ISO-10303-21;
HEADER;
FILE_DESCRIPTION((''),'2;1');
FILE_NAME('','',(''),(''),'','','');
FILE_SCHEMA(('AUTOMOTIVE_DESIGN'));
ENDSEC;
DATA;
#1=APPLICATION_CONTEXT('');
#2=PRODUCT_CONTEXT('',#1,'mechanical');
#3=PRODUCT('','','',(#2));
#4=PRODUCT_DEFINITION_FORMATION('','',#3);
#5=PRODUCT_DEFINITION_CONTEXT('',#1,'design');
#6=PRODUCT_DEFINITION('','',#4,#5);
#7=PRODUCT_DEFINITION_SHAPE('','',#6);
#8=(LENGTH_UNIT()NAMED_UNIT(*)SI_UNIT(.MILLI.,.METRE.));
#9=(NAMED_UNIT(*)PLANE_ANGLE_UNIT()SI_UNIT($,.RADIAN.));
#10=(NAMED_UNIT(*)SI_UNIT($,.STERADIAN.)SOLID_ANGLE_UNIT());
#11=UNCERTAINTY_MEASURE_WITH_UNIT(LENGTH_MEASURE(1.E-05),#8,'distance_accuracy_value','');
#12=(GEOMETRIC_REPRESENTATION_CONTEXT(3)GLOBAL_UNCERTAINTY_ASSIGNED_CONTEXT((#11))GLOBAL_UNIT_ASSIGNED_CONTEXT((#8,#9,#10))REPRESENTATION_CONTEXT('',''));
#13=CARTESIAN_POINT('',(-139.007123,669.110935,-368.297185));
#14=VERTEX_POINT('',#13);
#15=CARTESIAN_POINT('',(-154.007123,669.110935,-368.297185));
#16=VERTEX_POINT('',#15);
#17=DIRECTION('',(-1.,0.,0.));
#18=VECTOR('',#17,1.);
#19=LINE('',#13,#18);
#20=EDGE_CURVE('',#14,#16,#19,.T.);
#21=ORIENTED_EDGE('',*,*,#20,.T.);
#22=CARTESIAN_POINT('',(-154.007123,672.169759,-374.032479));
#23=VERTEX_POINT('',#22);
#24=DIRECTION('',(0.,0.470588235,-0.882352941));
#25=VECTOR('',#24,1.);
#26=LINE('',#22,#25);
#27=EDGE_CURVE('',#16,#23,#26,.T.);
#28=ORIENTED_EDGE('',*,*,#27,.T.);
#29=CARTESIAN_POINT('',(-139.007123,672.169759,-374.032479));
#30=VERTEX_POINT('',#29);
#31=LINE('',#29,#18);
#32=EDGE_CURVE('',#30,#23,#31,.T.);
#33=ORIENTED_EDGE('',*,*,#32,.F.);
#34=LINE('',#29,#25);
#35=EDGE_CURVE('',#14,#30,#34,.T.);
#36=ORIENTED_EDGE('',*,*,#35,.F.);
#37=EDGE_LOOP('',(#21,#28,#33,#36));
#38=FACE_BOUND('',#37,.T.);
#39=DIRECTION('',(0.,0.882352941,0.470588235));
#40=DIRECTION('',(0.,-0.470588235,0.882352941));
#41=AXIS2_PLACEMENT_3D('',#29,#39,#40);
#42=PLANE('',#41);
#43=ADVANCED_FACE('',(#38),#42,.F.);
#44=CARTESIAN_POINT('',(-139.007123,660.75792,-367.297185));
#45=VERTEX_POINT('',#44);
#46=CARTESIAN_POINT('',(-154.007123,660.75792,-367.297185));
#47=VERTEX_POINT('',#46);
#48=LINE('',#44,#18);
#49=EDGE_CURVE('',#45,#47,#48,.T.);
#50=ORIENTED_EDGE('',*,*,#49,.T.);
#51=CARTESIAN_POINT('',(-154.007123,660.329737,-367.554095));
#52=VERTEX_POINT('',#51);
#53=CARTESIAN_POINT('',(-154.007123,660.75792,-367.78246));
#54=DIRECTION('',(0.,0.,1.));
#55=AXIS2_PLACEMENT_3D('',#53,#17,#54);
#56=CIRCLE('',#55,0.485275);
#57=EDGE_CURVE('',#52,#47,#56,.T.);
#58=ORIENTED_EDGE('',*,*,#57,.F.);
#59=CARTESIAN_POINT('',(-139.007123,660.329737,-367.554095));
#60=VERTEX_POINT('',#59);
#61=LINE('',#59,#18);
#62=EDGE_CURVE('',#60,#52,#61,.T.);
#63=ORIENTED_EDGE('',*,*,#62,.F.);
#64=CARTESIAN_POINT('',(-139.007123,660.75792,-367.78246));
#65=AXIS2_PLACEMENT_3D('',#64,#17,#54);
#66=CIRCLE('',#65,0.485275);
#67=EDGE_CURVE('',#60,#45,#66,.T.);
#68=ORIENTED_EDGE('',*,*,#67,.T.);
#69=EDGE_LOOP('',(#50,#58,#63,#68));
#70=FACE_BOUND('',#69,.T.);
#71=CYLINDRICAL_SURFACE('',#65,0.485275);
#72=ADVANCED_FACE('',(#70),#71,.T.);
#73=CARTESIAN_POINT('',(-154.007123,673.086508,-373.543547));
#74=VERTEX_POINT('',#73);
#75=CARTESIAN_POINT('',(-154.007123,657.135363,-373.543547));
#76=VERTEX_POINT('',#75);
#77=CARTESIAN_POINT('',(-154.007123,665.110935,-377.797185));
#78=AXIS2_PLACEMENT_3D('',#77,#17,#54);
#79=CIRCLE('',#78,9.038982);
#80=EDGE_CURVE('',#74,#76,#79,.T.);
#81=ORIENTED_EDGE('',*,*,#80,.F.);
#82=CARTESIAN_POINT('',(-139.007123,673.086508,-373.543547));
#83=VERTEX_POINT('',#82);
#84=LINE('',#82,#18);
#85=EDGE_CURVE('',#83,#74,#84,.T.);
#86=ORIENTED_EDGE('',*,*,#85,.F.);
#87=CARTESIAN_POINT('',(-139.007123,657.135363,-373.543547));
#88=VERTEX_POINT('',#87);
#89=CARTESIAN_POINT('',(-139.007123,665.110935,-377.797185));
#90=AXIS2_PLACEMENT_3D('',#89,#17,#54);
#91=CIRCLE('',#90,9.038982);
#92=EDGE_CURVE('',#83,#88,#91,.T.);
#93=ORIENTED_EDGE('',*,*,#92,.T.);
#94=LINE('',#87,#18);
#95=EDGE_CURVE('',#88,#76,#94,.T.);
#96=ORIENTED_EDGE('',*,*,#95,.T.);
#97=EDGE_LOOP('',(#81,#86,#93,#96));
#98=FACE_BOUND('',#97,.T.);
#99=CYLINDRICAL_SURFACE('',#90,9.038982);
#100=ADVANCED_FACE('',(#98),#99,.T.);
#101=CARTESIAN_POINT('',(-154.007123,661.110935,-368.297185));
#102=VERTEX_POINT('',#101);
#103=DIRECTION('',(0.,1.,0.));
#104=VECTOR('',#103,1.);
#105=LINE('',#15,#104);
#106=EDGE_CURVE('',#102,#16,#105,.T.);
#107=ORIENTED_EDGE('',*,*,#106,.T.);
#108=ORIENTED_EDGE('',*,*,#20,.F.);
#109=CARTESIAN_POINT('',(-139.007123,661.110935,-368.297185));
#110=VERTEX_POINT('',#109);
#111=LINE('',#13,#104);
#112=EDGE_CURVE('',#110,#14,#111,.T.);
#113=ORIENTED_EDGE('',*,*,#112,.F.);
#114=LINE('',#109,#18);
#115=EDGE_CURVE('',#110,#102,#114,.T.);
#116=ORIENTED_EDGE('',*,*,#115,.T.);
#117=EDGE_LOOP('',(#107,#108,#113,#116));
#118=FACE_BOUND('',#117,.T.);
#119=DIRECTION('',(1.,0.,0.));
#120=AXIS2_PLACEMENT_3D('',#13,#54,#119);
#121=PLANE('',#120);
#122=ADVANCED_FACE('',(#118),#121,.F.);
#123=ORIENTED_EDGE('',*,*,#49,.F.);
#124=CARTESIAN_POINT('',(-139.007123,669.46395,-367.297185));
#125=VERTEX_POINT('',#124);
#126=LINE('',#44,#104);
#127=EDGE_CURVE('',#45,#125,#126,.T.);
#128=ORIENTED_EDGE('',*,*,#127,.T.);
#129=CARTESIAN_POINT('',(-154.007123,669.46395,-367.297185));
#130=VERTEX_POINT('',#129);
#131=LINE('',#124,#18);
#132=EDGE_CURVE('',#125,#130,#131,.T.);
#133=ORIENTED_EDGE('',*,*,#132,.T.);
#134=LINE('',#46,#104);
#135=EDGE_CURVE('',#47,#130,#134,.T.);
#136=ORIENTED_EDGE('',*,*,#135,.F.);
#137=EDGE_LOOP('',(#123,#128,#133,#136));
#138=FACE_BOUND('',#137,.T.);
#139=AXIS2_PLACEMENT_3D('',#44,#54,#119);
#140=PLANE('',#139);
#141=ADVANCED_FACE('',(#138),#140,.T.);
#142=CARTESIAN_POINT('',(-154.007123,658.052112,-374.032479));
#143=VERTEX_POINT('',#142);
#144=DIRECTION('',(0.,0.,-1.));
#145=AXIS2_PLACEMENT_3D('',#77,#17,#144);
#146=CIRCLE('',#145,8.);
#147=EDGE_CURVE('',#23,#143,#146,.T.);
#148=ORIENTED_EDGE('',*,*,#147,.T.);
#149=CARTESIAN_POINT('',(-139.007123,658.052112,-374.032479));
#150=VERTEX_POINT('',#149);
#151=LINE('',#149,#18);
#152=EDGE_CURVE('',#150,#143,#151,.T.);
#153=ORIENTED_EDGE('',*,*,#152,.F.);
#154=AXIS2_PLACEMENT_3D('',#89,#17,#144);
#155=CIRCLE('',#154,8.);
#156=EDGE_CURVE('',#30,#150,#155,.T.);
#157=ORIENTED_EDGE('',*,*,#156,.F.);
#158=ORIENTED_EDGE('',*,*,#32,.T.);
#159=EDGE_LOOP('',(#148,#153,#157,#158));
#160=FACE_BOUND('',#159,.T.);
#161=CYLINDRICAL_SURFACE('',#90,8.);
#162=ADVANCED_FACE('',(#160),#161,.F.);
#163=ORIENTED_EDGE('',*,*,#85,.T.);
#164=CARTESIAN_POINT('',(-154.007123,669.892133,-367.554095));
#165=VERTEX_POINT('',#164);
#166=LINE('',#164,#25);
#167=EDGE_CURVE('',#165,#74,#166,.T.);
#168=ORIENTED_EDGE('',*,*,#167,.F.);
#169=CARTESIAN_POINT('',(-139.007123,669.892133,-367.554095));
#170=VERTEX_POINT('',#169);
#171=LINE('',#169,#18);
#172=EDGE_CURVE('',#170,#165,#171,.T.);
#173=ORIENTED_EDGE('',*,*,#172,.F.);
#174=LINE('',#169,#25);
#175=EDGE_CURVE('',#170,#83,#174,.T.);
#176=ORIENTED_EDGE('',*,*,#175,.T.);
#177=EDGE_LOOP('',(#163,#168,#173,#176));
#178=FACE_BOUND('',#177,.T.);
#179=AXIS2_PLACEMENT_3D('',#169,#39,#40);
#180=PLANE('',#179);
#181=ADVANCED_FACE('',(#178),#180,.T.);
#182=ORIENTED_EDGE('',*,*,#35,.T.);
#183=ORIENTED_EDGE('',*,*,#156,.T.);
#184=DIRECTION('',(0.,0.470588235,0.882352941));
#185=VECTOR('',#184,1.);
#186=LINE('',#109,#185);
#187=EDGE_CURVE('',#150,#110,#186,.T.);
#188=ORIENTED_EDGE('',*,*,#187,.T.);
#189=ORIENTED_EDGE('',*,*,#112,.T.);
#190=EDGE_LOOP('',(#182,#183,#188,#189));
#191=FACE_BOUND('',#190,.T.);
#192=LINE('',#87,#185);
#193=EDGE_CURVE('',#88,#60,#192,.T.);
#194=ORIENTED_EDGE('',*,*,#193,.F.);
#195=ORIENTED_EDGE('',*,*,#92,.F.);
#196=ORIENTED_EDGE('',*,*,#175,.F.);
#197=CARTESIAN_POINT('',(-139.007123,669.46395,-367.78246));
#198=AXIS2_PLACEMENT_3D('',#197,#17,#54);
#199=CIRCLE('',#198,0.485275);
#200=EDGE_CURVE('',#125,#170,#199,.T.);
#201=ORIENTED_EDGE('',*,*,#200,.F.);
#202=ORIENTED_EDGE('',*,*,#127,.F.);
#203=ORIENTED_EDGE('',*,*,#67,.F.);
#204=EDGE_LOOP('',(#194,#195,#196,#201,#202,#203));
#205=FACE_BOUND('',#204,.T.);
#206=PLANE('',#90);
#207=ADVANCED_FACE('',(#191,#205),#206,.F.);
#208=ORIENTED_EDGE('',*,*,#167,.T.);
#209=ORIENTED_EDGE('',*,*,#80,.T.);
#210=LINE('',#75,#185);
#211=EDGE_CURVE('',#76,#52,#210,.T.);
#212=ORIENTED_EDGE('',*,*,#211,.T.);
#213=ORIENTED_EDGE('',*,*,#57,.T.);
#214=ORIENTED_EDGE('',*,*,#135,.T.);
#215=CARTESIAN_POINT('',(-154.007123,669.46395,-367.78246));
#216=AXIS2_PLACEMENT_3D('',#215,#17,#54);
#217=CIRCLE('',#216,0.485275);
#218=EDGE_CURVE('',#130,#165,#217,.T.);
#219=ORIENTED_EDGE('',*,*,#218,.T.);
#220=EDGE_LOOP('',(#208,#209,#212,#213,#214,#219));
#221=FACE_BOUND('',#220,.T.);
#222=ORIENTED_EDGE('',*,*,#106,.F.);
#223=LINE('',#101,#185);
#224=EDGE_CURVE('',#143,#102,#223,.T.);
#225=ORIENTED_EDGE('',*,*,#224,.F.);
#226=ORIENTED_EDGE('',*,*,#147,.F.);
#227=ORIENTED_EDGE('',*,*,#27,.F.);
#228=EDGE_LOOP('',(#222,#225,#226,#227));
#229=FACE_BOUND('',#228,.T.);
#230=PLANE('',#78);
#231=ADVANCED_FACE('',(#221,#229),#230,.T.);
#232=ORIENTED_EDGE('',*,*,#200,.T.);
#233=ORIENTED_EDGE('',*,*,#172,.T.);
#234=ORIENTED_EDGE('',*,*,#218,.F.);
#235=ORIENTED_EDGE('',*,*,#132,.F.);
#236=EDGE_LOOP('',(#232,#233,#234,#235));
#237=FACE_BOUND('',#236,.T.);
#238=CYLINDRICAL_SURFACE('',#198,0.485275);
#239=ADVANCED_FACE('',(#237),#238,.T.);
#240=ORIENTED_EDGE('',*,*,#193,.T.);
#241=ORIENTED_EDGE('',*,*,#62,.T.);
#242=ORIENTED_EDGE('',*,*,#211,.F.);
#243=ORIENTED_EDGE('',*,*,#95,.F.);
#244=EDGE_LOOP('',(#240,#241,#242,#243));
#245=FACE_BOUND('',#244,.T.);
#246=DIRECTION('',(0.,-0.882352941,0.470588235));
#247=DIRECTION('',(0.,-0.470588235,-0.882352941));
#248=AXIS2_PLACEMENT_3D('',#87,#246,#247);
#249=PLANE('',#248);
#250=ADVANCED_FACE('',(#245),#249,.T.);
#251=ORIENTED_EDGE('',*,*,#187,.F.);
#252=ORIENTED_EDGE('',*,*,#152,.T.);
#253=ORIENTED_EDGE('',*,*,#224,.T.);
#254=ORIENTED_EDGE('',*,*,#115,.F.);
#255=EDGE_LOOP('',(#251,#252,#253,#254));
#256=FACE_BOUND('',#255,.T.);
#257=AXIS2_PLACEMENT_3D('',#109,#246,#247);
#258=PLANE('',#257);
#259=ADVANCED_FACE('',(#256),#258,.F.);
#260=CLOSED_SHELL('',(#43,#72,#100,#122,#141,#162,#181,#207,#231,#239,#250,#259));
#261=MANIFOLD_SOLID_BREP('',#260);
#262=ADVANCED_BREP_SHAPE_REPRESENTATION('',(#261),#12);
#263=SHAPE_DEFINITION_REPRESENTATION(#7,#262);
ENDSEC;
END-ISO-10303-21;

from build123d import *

# Parameters (mm, degrees)
BOSS_EXTRUDE1_DEPTH = 15


with BuildPart() as part:
    # Sketch1 → Boss-Extrude1 (new body)
    with BuildSketch(Plane(origin=(-154.007123162, 0, 0), x_dir=(0, -1, 0), z_dir=(-1, 0, 0))):
        with BuildLine():
            Line((-657.135362842, -373.543546556), (-660.3297369, -367.554095198))
            ThreePointArc((-660.3297369, -367.554095198), (-660.508248633, -367.366340196), (-660.757920333, -367.297185139))
            Line((-660.757920333, -367.297185139), (-669.463950035, -367.297185139))
            ThreePointArc((-669.463950035, -367.297185139), (-669.713621735, -367.366340196), (-669.892133468, -367.554095198))
            Line((-669.892133468, -367.554095198), (-673.086507526, -373.543546556))
            ThreePointArc((-673.086507526, -373.543546556), (-665.110935184, -386.836167126), (-657.135362842, -373.543546556))
        make_face()
        with BuildLine():
            Line((-672.169758714, -374.032479256), (-669.110935184, -368.297185139))
            Line((-669.110935184, -368.297185139), (-661.110935184, -368.297185139))
            Line((-661.110935184, -368.297185139), (-658.052111655, -374.032479256))
            ThreePointArc((-658.052111655, -374.032479256), (-665.110935184, -385.797185139), (-672.169758714, -374.032479256))
        make_face(mode=Mode.SUBTRACT)
    extrude(amount=-BOSS_EXTRUDE1_DEPTH)


solid = part.part
